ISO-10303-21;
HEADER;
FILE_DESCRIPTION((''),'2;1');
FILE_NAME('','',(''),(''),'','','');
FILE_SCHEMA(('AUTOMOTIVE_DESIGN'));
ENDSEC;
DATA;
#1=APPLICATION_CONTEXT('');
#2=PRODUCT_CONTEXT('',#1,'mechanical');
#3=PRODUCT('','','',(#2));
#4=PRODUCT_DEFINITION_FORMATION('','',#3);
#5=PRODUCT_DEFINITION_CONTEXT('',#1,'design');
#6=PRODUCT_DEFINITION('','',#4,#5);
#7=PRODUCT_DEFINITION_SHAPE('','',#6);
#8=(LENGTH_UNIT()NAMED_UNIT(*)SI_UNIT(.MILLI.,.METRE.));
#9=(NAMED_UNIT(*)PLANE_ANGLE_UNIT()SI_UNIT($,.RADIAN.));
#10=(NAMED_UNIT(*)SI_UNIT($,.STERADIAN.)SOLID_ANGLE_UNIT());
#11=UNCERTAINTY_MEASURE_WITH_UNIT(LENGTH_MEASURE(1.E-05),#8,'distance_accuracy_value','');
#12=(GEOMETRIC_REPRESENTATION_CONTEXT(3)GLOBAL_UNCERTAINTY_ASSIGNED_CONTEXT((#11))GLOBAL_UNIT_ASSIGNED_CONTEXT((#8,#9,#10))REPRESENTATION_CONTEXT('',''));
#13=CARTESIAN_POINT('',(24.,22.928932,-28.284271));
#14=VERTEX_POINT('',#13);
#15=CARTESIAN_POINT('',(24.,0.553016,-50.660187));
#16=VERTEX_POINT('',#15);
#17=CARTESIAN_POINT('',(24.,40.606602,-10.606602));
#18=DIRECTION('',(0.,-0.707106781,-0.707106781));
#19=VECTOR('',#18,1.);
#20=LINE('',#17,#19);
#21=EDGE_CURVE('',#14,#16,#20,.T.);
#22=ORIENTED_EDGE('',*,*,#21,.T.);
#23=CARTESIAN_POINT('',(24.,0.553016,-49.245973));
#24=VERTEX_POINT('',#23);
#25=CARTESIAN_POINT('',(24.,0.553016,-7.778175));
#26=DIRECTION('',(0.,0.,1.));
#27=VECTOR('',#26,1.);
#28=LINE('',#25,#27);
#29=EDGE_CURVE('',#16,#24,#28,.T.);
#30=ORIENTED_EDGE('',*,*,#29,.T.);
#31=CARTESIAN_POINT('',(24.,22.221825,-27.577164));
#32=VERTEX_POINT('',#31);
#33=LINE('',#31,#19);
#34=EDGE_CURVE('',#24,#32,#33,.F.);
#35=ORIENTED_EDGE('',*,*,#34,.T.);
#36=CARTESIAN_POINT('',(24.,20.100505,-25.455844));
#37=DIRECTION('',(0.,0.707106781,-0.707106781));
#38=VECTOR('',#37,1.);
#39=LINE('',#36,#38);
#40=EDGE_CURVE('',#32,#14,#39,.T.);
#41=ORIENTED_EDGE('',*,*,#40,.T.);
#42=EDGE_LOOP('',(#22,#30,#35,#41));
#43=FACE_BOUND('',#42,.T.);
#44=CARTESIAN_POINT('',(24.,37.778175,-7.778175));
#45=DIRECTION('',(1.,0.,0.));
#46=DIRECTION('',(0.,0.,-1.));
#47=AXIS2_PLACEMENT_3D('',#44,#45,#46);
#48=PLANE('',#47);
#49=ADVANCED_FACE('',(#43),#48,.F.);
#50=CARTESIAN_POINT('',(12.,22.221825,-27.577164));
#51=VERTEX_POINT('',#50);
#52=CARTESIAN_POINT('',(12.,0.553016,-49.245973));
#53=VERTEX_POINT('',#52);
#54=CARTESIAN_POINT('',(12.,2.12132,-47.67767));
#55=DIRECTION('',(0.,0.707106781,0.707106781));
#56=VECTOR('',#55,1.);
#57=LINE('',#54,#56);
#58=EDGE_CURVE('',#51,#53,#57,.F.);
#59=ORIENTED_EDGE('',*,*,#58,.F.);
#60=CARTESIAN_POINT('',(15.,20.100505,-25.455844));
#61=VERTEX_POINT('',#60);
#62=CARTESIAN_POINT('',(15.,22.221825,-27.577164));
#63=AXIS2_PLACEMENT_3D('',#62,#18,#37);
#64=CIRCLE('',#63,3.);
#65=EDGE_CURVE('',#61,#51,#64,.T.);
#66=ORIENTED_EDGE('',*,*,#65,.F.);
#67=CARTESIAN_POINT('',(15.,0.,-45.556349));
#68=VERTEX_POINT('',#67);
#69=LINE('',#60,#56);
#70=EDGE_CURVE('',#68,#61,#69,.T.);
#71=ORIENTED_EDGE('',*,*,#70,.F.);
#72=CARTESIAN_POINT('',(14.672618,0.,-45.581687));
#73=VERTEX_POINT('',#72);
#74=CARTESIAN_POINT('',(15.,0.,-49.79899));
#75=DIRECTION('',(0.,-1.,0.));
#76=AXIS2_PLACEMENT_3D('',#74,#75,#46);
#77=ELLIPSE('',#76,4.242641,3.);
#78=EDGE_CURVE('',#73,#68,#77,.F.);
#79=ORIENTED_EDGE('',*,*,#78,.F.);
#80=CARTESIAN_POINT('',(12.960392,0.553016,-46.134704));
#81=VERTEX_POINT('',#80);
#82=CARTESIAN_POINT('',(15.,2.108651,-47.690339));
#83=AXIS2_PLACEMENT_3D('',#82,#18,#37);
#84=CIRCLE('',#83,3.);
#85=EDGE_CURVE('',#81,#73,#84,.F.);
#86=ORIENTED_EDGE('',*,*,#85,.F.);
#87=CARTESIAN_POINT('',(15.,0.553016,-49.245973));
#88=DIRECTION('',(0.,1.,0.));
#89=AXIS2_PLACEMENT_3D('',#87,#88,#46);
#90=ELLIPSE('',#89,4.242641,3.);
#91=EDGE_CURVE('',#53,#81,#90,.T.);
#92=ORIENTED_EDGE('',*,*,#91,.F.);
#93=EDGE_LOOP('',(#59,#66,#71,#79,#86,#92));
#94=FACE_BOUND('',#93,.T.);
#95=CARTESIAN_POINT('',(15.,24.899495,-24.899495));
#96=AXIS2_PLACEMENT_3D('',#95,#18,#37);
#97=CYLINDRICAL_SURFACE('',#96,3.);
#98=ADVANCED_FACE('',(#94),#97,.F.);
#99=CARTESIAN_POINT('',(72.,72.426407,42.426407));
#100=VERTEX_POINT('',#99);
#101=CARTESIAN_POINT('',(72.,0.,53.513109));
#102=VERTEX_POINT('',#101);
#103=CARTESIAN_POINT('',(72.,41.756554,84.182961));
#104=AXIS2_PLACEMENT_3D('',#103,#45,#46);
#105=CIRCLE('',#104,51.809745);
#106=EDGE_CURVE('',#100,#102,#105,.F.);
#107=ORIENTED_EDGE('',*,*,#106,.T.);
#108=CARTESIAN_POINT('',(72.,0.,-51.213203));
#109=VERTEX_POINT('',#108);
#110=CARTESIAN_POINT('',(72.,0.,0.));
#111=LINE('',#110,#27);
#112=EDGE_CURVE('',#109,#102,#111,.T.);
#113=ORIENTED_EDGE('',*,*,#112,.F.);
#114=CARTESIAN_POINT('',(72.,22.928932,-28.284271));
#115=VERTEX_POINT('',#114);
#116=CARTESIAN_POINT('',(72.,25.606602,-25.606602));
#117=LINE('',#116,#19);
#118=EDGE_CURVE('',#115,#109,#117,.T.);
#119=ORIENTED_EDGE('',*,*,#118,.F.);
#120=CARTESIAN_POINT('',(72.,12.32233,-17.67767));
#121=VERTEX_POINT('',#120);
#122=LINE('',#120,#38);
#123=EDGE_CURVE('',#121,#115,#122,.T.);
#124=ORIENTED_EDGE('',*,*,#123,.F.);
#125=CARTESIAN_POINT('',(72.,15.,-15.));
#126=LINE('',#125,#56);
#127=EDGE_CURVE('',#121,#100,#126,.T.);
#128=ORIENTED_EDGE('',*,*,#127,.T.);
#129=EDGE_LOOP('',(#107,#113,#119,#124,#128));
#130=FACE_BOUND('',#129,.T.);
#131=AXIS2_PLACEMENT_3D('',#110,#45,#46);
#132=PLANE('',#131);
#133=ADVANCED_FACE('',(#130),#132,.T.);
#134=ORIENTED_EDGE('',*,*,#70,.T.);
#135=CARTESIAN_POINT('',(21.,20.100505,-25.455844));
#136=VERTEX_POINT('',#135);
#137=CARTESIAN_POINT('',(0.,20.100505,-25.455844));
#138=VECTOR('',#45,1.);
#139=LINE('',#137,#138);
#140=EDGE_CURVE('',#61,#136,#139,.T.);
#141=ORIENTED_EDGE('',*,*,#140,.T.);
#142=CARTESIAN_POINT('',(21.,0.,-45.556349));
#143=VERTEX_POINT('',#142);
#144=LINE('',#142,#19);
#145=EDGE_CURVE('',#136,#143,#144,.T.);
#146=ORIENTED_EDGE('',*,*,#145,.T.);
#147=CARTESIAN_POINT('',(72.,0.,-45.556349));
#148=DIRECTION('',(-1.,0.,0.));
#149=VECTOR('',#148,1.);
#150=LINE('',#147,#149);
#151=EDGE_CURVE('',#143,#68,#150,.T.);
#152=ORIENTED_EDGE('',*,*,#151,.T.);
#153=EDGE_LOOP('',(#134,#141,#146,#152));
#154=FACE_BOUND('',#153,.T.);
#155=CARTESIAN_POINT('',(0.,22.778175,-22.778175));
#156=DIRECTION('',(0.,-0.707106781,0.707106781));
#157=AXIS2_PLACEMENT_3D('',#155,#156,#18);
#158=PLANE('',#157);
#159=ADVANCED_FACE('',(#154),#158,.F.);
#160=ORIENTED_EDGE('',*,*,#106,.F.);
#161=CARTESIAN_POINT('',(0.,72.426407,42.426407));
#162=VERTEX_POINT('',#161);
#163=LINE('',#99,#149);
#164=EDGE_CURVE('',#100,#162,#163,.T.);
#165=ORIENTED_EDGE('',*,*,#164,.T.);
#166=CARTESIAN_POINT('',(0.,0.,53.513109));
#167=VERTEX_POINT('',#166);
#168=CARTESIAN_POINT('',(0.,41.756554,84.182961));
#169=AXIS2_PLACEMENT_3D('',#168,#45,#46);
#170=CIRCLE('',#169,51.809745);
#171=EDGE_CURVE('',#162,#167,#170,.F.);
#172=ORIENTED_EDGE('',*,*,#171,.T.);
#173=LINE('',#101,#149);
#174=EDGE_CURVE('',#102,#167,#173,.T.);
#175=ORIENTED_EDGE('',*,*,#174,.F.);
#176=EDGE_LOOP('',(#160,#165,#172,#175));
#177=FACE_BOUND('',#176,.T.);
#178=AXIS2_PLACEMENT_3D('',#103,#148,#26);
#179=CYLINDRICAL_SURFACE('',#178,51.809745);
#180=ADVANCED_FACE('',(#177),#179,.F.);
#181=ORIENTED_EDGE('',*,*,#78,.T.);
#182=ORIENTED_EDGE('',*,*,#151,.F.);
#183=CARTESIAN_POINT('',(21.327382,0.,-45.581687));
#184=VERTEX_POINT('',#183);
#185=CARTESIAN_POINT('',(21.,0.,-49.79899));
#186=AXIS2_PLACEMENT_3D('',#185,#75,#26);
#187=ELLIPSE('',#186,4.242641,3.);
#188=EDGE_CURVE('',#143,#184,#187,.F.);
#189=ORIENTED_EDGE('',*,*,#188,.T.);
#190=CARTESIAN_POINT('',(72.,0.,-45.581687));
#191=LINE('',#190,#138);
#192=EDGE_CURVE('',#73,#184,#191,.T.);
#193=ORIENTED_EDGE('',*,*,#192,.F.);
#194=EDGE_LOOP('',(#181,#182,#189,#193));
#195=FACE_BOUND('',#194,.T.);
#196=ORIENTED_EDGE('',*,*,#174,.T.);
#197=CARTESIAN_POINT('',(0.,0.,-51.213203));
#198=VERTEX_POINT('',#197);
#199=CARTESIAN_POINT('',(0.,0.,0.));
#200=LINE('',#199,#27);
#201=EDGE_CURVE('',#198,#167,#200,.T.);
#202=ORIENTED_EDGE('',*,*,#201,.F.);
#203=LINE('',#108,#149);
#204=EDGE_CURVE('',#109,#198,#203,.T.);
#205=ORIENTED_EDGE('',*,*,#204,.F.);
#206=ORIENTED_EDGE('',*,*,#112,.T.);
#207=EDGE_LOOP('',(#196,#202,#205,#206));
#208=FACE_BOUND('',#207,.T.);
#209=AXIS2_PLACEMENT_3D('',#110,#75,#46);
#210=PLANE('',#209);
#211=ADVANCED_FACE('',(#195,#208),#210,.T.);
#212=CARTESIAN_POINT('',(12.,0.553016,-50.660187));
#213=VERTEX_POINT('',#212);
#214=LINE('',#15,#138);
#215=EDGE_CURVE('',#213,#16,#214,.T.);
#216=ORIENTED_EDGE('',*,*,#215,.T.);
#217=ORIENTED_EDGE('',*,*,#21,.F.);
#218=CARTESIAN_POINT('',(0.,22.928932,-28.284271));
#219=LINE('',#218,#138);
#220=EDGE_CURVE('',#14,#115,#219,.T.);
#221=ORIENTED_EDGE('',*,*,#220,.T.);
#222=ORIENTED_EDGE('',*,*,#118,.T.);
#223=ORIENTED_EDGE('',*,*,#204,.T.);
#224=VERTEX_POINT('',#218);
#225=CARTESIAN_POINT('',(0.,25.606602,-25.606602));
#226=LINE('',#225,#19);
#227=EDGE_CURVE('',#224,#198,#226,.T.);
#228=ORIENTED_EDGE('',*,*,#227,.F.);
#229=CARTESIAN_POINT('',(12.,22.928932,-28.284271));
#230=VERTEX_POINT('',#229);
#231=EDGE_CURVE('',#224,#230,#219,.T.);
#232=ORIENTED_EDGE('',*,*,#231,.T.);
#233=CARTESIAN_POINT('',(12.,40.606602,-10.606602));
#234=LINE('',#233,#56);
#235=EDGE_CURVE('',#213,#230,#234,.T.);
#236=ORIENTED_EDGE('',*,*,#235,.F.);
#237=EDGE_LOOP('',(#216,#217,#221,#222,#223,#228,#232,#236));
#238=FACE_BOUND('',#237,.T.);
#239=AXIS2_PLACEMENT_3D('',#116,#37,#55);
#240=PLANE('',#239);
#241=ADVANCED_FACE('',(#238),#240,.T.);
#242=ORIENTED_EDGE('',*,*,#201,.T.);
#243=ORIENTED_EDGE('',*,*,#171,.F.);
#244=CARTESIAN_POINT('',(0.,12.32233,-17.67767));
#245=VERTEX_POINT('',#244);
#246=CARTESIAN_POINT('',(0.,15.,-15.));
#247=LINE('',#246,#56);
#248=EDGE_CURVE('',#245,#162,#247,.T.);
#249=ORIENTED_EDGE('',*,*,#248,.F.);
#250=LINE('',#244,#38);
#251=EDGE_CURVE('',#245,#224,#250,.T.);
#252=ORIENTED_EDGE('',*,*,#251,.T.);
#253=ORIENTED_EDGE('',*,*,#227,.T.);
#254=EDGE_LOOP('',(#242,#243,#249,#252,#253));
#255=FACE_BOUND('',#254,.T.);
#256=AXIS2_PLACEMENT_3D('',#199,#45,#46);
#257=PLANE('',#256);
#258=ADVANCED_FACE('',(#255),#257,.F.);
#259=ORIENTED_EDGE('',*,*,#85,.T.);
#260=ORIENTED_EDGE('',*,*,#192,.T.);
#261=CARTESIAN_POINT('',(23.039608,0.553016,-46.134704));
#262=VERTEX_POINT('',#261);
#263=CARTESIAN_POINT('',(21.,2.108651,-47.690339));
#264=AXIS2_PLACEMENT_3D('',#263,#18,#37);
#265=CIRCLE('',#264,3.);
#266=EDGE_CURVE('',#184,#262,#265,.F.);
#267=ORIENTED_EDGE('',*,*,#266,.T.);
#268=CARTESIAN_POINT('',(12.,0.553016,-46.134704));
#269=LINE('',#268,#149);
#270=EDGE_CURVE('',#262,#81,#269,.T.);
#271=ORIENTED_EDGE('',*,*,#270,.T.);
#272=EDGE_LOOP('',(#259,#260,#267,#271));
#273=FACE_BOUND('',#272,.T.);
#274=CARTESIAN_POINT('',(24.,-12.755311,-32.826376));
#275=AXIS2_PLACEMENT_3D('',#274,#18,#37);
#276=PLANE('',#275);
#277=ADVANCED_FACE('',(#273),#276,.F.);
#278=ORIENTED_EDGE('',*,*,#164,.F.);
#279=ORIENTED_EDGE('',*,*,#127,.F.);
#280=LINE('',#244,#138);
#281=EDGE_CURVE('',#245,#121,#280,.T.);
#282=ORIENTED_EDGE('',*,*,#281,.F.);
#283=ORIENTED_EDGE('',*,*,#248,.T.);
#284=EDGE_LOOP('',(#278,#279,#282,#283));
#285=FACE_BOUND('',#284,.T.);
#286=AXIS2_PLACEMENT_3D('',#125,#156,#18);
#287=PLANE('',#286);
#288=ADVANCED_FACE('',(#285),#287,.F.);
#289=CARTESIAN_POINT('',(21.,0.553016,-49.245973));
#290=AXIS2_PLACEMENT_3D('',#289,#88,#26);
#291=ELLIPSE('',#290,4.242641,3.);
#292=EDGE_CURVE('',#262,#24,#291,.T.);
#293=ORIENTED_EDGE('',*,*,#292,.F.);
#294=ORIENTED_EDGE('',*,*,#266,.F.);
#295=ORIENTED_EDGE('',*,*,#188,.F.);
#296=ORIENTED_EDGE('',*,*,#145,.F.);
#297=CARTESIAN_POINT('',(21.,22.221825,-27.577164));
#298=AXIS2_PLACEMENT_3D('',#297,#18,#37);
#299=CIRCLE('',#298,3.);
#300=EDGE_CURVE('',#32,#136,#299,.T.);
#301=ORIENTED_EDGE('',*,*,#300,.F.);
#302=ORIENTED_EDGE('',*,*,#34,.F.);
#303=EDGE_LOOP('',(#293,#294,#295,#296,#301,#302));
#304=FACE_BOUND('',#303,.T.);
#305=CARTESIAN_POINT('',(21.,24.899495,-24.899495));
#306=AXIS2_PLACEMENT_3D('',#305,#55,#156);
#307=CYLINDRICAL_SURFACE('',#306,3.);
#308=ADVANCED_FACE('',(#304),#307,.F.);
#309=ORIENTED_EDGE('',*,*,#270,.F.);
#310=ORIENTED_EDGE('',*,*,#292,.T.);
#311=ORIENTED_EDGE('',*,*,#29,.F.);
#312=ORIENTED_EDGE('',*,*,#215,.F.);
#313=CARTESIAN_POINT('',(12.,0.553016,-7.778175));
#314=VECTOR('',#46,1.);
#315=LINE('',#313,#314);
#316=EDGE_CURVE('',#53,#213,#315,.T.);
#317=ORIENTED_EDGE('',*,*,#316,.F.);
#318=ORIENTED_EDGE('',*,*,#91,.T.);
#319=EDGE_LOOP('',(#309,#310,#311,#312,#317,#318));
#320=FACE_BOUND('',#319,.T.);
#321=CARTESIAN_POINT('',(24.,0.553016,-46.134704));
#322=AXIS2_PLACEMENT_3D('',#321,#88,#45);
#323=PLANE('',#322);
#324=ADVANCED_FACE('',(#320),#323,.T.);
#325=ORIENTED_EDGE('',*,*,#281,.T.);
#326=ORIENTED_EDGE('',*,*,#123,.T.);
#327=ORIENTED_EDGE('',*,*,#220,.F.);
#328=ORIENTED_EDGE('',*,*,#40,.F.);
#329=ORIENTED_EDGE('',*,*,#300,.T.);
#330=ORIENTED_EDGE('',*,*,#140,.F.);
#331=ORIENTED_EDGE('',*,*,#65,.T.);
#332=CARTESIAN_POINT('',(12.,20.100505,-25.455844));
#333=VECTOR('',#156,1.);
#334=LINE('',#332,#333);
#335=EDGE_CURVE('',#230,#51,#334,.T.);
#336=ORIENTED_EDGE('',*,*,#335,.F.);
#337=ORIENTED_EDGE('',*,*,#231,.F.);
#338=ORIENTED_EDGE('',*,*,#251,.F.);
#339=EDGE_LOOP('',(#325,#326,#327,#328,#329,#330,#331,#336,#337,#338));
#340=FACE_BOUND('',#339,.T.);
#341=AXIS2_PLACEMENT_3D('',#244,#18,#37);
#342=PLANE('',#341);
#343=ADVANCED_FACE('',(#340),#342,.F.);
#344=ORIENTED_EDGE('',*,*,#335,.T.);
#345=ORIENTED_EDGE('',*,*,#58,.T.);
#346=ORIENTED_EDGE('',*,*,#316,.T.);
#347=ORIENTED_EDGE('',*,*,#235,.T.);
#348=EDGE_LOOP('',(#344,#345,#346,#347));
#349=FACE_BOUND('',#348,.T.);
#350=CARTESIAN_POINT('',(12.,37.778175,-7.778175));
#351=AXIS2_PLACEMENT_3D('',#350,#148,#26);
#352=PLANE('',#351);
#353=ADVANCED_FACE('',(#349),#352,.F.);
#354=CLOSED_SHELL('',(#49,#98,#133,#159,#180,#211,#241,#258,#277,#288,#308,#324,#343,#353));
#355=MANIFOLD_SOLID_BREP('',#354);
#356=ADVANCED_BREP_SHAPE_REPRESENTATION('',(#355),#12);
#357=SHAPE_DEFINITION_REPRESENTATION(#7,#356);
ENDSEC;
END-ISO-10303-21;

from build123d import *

# Parameters (mm, degrees)
BOSS_EXTRUDE2_DEPTH = 72
SKETCH3_W           = 12
SKETCH3_H           = 40
CUT_EXTRUDE1_DEPTH  = 4
CUT_EXTRUDE2_DEPTH  = 116.296301893
SKETCH5_W           = 12
SKETCH5_H           = 13.444323502
CUT_EXTRUDE3_DEPTH  = 4
CHAMFER1_SIZE       = 3.2
FILLET1_R           = 3


with BuildPart() as part:
    # Sketch2 → Boss-Extrude2 (new body)
    with BuildSketch(Plane(origin=(0, 0, 0), x_dir=(0, 0, -1), z_dir=(1, 0, 0))):
        with BuildLine():
            Line((10.606601718, 40.606601718), (0, 30))
            Line((0, 30), (-42.426406871, 72.426406871))
            ThreePointArc((-42.426406871, 72.426406871), (-32.969757857, 33.917072276), (-53.513108843, 0))
            Line((-53.513108843, 0), (0, 0))
            Line((0, 0), (30, 0))
            Line((30, 0), (51.213203436, 0))
            Line((51.213203436, 0), (10.606601718, 40.606601718))
        make_face()
    extrude(amount=BOSS_EXTRUDE2_DEPTH)

    # Sketch3 → Cut-Extrude1 (cut)
    with BuildSketch(Plane(origin=(0, 25.606601718, -25.606601718), x_dir=(1, 0, 0), z_dir=(0, 0.7071067811865561, -0.7071067811865389))):
        with Locations((18, -1.213203436)):
            Rectangle(SKETCH3_W, SKETCH3_H)
    extrude(amount=-CUT_EXTRUDE1_DEPTH, mode=Mode.SUBTRACT)

    # Sketch4 → Cut-Extrude2 (cut, through all)
    with BuildSketch(Plane(origin=(72, 0, 0), x_dir=(0, 0, -1), z_dir=(1, 0, 0))):
        Polygon((0, 30), (17.67766953, 12.32233047), (28.284271247, 22.928932188), (10.606601718, 40.606601718), align=None)
    extrude(amount=-CUT_EXTRUDE2_DEPTH, mode=Mode.SUBTRACT)

    # Sketch5 → Cut-Extrude3 (cut)
    with BuildSketch(Plane(origin=(0, 25.606601718, -25.606601718), x_dir=(1, 0, 0), z_dir=(0, 0.7071067811865561, -0.7071067811865389))):
        with Locations((18, 25.508958315)):
            Rectangle(SKETCH5_W, SKETCH5_H)
    extrude(amount=-CUT_EXTRUDE3_DEPTH, mode=Mode.SUBTRACT)

    # Chamfer1
    chamfer1_edges = [part.edges().sort_by_distance(p)[0] for p in [
        (18, 2.815758154, -48.397445281),
    ]]
    chamfer(chamfer1_edges, length=CHAMFER1_SIZE)

    # Fillet1
    fillet1_edges = [part.edges().sort_by_distance(p)[0] for p in [
        (24, 10.050252532, -35.506096654),
        (12, 10.050252532, -35.506096654),
    ]]
    fillet(fillet1_edges, radius=FILLET1_R)


solid = part.part
